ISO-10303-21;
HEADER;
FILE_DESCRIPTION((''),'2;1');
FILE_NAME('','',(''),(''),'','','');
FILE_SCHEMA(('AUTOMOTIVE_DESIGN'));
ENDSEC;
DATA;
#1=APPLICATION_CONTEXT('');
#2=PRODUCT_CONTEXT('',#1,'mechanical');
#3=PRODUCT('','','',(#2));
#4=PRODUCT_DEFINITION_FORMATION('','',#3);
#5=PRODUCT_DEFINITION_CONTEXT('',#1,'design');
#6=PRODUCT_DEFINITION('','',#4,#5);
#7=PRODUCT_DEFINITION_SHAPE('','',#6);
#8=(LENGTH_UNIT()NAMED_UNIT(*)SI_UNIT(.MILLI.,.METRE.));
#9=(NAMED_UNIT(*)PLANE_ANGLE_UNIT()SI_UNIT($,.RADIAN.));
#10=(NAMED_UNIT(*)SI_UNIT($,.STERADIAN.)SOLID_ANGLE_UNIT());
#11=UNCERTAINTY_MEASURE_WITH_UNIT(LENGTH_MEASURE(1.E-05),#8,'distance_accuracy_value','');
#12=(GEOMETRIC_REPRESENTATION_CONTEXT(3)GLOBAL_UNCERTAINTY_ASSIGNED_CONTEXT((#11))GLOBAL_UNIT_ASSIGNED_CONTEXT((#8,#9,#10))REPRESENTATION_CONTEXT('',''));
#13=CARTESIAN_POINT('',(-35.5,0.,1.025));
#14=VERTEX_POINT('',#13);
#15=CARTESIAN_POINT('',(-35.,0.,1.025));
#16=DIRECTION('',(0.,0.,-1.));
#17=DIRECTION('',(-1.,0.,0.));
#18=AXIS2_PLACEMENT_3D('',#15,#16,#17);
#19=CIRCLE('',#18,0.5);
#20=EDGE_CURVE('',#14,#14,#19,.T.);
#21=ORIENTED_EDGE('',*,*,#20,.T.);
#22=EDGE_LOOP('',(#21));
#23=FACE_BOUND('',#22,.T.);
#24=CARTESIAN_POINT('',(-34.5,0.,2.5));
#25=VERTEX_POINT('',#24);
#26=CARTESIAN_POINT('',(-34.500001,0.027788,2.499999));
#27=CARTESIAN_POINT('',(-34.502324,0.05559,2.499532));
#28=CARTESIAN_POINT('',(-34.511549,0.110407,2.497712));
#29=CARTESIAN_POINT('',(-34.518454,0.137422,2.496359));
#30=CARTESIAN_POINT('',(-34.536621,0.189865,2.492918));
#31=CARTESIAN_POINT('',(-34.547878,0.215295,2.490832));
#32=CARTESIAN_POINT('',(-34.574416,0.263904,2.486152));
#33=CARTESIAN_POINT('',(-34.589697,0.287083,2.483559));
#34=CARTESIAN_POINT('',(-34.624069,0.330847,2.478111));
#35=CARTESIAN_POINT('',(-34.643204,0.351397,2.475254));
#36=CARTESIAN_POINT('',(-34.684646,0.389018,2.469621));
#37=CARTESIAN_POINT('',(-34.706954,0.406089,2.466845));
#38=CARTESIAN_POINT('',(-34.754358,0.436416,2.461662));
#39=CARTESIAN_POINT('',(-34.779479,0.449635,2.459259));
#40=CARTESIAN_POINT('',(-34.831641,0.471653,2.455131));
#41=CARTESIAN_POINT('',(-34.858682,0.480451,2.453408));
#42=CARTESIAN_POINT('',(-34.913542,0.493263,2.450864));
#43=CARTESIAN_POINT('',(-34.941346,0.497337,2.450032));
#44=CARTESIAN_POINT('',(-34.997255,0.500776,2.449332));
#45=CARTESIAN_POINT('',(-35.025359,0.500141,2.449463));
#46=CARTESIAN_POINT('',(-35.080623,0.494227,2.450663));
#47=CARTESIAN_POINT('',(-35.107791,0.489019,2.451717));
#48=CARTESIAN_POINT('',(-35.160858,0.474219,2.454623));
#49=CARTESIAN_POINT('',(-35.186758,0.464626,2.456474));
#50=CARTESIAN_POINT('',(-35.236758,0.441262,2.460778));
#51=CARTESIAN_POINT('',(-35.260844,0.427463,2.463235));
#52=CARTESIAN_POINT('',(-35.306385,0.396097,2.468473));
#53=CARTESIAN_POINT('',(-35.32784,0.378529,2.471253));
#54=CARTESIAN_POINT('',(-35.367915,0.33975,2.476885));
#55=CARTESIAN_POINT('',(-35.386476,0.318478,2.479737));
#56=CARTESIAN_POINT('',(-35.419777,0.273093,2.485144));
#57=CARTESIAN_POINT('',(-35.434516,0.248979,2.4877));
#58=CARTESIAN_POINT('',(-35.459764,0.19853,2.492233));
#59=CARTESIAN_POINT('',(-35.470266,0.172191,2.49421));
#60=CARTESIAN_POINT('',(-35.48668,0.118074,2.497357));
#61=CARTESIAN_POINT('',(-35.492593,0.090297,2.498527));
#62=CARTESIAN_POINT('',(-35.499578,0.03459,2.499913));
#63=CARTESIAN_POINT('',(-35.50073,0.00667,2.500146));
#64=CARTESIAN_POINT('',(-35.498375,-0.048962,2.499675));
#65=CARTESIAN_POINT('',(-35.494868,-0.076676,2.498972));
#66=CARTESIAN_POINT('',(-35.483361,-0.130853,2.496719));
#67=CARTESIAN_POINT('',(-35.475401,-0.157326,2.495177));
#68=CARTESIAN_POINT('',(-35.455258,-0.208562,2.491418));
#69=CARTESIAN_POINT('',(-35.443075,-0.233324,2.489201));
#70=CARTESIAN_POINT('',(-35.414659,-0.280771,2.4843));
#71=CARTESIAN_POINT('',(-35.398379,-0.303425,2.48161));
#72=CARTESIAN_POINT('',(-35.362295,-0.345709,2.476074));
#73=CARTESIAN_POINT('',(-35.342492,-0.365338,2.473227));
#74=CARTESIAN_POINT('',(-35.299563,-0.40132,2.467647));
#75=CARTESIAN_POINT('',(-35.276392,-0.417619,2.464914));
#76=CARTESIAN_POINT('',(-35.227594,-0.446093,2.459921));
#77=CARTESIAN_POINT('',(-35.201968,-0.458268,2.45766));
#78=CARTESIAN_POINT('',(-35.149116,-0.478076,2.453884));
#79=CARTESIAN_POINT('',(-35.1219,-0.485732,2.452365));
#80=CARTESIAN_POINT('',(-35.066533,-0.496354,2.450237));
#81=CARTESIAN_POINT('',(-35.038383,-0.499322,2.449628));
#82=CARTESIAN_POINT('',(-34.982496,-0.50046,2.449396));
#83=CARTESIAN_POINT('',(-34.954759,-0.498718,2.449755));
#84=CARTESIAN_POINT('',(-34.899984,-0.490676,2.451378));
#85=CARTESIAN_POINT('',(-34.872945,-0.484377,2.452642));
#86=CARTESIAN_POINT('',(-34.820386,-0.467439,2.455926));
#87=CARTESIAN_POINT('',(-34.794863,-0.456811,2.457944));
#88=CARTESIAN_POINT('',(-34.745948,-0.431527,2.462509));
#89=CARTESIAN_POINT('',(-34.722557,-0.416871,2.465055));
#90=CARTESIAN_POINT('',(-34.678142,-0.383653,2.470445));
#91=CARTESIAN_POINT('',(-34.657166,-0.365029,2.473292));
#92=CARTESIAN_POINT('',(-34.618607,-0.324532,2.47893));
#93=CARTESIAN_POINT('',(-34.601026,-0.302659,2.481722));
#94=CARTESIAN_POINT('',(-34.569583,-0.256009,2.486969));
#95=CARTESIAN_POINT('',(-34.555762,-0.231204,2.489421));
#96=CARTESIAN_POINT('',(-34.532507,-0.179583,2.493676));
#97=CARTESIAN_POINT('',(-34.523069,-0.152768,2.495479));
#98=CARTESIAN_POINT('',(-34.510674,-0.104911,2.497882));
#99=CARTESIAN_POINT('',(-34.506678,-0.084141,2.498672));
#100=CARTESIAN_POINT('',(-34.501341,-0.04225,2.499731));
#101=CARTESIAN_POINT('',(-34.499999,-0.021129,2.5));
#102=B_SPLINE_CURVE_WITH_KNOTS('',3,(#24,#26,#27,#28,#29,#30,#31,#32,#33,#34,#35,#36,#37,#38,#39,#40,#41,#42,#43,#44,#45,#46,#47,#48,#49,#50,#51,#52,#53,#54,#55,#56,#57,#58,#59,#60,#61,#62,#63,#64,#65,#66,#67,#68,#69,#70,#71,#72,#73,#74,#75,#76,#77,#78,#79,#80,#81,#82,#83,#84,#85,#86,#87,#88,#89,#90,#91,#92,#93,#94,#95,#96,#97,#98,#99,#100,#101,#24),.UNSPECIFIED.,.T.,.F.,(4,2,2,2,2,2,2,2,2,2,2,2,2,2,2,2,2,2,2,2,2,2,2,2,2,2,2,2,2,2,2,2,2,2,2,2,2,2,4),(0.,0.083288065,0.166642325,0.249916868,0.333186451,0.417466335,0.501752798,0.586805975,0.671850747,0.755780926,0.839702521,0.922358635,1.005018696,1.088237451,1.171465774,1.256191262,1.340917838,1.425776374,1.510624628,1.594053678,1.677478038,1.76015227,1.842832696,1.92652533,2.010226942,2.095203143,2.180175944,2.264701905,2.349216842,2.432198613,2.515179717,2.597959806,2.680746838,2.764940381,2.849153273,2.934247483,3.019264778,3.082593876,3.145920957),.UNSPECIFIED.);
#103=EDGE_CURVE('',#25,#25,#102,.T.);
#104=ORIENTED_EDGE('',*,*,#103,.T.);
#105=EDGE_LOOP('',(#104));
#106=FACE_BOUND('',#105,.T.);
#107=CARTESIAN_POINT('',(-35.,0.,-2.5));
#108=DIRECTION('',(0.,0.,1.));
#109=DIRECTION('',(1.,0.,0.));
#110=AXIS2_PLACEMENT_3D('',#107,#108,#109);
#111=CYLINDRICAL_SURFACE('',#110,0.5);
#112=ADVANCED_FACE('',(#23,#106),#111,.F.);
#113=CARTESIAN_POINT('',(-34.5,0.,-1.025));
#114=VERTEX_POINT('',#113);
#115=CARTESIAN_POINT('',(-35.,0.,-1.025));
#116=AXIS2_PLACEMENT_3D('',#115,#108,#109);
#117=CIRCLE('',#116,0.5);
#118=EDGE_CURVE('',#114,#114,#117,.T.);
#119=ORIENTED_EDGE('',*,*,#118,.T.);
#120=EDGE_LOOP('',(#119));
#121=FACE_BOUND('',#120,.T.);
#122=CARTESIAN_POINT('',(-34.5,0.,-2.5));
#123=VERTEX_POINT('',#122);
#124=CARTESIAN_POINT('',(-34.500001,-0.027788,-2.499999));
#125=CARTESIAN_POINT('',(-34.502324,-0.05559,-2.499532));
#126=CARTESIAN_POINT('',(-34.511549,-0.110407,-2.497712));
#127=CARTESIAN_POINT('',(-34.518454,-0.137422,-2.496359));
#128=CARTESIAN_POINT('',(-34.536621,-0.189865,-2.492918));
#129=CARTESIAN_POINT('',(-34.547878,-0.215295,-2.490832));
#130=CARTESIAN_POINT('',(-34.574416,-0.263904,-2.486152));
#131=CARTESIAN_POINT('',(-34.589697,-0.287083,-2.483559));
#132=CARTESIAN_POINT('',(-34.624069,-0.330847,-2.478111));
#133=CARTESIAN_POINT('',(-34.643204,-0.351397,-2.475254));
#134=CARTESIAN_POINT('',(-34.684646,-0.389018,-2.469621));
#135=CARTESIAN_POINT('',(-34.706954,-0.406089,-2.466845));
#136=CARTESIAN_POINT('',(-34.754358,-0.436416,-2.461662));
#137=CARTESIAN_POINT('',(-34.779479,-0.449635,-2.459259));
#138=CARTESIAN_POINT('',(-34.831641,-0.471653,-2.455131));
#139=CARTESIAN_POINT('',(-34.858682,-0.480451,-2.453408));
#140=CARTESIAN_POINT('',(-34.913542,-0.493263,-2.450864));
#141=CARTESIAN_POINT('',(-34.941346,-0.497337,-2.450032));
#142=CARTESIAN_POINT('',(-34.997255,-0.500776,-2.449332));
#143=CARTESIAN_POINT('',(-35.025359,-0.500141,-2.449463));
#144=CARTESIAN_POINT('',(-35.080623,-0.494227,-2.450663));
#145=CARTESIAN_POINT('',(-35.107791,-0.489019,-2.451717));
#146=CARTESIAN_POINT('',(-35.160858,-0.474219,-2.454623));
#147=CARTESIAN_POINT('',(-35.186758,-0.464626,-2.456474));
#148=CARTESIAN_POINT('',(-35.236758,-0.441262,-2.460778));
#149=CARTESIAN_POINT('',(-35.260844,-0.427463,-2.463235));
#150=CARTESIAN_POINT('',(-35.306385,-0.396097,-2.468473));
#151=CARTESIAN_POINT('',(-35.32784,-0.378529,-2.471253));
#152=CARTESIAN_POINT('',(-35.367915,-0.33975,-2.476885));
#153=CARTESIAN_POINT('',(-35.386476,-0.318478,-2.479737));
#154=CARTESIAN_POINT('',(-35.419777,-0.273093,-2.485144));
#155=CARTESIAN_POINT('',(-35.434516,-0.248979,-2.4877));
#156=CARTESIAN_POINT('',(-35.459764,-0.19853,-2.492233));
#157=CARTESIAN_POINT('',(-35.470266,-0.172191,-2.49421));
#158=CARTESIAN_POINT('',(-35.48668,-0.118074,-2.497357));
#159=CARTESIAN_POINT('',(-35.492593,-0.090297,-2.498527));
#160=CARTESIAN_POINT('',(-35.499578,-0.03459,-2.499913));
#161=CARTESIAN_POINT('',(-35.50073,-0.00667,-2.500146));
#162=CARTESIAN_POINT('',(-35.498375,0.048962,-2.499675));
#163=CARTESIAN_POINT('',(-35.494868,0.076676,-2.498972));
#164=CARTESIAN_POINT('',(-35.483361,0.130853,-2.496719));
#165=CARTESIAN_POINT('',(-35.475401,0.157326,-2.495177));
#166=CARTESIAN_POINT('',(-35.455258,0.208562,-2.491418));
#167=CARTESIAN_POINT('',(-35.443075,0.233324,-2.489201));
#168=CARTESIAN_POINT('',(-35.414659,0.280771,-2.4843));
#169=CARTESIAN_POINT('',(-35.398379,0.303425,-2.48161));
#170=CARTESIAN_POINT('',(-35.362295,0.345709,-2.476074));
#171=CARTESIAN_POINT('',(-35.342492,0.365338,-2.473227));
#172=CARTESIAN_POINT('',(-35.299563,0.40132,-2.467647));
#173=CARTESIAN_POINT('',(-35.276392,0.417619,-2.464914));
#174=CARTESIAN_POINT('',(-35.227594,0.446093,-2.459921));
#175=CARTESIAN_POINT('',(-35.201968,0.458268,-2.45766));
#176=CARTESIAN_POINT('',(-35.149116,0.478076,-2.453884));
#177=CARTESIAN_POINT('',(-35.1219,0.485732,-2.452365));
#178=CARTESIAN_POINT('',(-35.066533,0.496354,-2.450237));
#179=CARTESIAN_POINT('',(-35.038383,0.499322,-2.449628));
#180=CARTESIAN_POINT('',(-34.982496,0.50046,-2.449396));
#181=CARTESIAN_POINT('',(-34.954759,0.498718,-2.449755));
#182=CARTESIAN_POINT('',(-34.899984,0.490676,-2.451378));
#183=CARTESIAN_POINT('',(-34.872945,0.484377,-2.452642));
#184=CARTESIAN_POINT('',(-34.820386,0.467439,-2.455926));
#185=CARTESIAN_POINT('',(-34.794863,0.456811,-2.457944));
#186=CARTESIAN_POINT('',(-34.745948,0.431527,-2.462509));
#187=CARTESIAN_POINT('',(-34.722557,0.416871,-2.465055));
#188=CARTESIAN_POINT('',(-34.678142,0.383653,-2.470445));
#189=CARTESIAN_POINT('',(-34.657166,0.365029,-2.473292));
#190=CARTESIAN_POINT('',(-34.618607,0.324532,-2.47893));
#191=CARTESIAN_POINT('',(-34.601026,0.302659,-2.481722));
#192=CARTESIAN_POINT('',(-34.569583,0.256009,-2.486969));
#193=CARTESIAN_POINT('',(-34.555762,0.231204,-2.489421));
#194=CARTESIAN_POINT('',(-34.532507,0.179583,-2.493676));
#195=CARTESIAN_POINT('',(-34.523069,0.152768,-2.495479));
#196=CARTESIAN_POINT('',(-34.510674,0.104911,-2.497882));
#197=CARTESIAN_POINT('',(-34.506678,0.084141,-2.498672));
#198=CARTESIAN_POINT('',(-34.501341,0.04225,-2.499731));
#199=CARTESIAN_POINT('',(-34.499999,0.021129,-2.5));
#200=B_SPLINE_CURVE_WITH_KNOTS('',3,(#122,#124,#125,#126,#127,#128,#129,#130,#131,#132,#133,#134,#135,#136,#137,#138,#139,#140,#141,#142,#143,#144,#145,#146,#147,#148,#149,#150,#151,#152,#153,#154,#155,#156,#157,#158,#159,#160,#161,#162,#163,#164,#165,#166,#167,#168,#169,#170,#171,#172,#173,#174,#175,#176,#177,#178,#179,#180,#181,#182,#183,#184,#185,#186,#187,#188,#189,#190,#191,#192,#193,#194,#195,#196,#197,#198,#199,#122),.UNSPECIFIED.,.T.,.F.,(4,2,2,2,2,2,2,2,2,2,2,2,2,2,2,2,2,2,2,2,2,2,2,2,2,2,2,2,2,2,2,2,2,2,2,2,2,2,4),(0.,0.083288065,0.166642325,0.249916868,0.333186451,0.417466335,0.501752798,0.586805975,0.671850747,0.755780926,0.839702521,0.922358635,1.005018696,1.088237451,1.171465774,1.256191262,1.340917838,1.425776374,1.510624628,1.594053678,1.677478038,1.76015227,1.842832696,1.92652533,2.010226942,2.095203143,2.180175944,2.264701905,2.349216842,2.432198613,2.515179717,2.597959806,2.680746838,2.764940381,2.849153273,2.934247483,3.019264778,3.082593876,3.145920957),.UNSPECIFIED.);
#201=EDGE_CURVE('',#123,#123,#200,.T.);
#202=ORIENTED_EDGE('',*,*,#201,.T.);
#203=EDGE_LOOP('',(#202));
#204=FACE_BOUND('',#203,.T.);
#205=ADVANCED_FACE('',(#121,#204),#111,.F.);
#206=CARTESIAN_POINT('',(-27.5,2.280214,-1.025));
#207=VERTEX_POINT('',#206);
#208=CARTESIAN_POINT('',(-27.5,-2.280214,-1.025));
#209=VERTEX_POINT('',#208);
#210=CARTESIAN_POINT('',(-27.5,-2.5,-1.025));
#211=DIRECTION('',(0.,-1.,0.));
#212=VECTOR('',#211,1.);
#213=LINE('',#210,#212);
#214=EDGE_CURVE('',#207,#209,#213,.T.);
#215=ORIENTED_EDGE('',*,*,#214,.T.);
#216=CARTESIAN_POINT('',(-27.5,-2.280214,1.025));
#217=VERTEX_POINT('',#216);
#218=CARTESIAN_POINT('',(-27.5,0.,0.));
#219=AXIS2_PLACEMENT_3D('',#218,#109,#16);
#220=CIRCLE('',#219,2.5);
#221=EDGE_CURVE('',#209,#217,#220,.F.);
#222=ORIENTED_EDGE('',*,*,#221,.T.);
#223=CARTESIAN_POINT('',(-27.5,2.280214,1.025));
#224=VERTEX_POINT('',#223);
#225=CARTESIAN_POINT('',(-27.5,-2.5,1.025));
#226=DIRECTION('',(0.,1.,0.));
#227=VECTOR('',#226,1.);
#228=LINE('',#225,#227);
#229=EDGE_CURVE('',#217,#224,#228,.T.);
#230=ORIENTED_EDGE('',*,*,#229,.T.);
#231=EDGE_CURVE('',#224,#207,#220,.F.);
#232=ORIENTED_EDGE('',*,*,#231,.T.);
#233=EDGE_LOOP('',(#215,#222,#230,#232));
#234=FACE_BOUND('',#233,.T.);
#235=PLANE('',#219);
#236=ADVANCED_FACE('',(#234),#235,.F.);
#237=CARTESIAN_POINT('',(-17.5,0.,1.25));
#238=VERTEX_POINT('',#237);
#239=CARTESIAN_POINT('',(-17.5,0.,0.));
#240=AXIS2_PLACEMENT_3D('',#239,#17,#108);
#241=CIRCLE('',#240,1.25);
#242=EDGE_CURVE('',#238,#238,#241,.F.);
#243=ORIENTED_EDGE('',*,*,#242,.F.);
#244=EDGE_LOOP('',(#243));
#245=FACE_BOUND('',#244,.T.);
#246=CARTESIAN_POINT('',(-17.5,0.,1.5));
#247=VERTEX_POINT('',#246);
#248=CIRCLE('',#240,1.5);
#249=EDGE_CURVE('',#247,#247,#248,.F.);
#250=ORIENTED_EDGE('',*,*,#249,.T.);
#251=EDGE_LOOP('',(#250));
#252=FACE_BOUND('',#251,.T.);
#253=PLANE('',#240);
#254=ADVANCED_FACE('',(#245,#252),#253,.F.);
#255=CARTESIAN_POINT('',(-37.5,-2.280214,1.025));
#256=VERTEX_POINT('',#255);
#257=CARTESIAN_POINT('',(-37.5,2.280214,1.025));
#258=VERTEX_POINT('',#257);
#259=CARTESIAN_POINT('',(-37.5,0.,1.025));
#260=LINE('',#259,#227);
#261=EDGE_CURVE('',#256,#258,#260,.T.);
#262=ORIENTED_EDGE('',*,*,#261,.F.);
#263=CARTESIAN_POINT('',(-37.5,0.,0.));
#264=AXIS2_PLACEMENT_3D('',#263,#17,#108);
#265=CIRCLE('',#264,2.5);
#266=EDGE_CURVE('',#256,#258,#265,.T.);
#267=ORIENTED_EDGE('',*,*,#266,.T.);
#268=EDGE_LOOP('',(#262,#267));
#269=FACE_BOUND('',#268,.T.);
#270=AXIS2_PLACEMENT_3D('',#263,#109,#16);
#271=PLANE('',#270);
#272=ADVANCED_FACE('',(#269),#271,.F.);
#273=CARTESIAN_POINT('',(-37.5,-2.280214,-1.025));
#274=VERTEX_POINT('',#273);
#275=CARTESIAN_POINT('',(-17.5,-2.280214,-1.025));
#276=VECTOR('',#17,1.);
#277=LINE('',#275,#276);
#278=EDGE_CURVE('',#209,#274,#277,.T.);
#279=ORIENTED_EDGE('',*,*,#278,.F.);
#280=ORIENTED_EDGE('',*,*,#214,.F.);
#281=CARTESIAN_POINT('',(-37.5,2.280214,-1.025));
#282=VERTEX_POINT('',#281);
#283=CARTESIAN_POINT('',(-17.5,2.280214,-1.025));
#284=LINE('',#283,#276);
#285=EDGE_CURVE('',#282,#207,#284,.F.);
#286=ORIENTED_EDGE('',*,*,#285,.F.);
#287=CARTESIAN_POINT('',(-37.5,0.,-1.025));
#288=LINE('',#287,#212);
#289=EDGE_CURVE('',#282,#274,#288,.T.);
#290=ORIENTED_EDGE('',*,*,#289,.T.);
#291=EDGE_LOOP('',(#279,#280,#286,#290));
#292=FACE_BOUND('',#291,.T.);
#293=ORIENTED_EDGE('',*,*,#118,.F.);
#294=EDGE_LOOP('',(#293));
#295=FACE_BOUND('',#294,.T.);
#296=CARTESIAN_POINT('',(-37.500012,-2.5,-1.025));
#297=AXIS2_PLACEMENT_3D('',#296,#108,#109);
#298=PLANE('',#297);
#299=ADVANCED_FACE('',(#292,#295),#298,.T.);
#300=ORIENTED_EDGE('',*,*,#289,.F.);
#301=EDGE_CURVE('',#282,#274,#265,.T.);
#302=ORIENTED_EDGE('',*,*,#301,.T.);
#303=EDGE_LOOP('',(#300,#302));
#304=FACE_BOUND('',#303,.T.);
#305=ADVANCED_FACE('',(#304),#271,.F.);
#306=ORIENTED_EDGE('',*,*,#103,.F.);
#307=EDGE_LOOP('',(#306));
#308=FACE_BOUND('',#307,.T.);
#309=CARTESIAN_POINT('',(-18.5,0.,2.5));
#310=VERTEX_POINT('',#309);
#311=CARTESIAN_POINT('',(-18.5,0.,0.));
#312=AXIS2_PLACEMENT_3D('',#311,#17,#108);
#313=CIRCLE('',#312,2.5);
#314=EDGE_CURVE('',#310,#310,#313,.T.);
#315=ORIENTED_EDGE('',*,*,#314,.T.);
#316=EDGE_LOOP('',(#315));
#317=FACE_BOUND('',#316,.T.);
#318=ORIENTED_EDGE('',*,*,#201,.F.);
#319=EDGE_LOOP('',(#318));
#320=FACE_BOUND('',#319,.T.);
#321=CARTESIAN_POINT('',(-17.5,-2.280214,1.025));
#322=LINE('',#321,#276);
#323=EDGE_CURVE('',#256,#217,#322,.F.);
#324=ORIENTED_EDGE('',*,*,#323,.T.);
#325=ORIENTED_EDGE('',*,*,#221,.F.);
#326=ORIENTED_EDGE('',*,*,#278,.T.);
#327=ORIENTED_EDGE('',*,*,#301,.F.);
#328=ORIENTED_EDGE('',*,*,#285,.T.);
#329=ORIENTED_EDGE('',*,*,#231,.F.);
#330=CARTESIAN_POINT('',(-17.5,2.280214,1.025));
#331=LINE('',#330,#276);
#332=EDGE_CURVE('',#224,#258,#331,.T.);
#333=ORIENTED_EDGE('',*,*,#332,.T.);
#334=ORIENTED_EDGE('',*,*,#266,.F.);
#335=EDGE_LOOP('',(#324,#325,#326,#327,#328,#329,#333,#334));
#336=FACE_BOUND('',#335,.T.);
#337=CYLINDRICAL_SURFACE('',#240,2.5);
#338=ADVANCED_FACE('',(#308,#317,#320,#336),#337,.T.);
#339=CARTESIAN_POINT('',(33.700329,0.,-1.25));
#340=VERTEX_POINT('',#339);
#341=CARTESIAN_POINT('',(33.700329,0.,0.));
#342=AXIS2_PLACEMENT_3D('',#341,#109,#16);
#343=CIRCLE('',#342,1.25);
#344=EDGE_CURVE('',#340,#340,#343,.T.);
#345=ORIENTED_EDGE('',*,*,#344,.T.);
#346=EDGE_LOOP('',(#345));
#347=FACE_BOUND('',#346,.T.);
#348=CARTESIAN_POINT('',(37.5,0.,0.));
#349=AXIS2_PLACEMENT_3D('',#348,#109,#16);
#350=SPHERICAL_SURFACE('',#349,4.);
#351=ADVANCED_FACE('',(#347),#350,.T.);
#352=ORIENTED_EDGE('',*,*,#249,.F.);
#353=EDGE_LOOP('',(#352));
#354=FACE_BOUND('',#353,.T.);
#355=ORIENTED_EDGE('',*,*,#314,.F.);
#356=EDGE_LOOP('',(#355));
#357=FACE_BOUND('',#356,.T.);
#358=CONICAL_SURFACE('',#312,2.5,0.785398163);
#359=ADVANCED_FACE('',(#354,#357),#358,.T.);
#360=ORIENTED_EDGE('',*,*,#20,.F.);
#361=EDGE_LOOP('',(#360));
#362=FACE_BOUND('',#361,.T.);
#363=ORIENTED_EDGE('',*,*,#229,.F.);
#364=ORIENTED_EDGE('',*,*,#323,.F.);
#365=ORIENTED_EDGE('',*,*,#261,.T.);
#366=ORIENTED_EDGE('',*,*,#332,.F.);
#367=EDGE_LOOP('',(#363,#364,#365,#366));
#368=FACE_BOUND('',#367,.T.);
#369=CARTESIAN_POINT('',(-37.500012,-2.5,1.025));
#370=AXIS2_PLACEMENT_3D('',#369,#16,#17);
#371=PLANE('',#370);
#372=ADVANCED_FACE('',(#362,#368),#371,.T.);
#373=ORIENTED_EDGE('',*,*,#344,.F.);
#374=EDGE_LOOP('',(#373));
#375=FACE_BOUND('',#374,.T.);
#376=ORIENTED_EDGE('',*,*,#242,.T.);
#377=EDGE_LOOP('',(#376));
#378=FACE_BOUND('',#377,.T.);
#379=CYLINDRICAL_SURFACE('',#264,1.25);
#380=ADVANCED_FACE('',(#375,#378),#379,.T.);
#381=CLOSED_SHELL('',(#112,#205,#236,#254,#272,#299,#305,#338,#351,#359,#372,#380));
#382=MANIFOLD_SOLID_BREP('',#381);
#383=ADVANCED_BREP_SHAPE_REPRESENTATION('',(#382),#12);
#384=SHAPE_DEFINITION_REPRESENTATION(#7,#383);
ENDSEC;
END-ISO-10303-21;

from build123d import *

# Parameters (mm, degrees)
SKETCH1_W               = 75
SKETCH1_H               = 1.25
SKETCH2_R               = 2.5
BOSS_EXTRUDE1_DEPTH     = 20
SKETCH3_W               = 2.05
SKETCH3_H               = 5
CUT_EXTRUDE1_DEPTH      = 1
CUT_EXTRUDE1_DEPTH_BACK = 10
CHAMFER1_SIZE           = 1
SKETCH4_R               = 0.5
CUT_EXTRUDE2_DEPTH      = 4.525
CUT_EXTRUDE2_DEPTH_BACK = 2.475


with BuildPart() as part:
    # Sketch1 → Revolve2 (revolve)
    with BuildSketch(Plane(origin=(0, 0, 0), x_dir=(1, 0, 0), z_dir=(0, 1, 0))):
        with Locations((0, -0.625)):
            Rectangle(SKETCH1_W, SKETCH1_H)
    revolve(axis=Axis((-37.5, 0, 0), (1, 0, 0)))

    # Sketch2 → Boss-Extrude1 (add)
    with BuildSketch(Plane.ZY.offset(37.5)):
        Circle(SKETCH2_R)
    extrude(amount=-BOSS_EXTRUDE1_DEPTH)

    # Sketch3 → Cut-Extrude1 (cut, two sides)
    with BuildSketch(Plane.ZY.offset(37.5)) as cut_extrude1_sk:
        Rectangle(SKETCH3_W, SKETCH3_H)
    extrude(amount=CUT_EXTRUDE1_DEPTH, mode=Mode.SUBTRACT)
    extrude(cut_extrude1_sk.sketch, amount=-CUT_EXTRUDE1_DEPTH_BACK, mode=Mode.SUBTRACT)

    # Chamfer1
    chamfer1_edges = [part.edges().sort_by_distance(p)[0] for p in [
        (-17.5, 0, -2.5),
    ]]
    chamfer(chamfer1_edges, length=CHAMFER1_SIZE)

    # Sketch4 → Cut-Extrude2 (cut, two sides)
    with BuildSketch(Plane.XY.offset(-1.025)) as cut_extrude2_sk:
        with Locations((-35, 0)):
            Circle(SKETCH4_R)
    extrude(amount=CUT_EXTRUDE2_DEPTH, mode=Mode.SUBTRACT)
    extrude(cut_extrude2_sk.sketch, amount=-CUT_EXTRUDE2_DEPTH_BACK, mode=Mode.SUBTRACT)

    # Sketch5 one side → Revolve3 (revolve)
    with BuildSketch(Plane(origin=(37.5, 0, 0), x_dir=(0, 0, -1), z_dir=(1, 0, 0))):
        with BuildLine():
            ThreePointArc((1.25, 0), (0, 1.25), (-1.25, 0))
            Line((-1.25, 0), (1.25, 0))
        make_face()
        with BuildLine():
            Line((-4, 0), (-1.25, 0))
            ThreePointArc((-1.25, 0), (0, 1.25), (1.25, 0))
            Line((1.25, 0), (4, 0))
            ThreePointArc((4, 0), (0, 4), (-4, 0))
        make_face()
    revolve(axis=Axis((37.5, 0, 4), (0, 0, -1)))


solid = part.part
